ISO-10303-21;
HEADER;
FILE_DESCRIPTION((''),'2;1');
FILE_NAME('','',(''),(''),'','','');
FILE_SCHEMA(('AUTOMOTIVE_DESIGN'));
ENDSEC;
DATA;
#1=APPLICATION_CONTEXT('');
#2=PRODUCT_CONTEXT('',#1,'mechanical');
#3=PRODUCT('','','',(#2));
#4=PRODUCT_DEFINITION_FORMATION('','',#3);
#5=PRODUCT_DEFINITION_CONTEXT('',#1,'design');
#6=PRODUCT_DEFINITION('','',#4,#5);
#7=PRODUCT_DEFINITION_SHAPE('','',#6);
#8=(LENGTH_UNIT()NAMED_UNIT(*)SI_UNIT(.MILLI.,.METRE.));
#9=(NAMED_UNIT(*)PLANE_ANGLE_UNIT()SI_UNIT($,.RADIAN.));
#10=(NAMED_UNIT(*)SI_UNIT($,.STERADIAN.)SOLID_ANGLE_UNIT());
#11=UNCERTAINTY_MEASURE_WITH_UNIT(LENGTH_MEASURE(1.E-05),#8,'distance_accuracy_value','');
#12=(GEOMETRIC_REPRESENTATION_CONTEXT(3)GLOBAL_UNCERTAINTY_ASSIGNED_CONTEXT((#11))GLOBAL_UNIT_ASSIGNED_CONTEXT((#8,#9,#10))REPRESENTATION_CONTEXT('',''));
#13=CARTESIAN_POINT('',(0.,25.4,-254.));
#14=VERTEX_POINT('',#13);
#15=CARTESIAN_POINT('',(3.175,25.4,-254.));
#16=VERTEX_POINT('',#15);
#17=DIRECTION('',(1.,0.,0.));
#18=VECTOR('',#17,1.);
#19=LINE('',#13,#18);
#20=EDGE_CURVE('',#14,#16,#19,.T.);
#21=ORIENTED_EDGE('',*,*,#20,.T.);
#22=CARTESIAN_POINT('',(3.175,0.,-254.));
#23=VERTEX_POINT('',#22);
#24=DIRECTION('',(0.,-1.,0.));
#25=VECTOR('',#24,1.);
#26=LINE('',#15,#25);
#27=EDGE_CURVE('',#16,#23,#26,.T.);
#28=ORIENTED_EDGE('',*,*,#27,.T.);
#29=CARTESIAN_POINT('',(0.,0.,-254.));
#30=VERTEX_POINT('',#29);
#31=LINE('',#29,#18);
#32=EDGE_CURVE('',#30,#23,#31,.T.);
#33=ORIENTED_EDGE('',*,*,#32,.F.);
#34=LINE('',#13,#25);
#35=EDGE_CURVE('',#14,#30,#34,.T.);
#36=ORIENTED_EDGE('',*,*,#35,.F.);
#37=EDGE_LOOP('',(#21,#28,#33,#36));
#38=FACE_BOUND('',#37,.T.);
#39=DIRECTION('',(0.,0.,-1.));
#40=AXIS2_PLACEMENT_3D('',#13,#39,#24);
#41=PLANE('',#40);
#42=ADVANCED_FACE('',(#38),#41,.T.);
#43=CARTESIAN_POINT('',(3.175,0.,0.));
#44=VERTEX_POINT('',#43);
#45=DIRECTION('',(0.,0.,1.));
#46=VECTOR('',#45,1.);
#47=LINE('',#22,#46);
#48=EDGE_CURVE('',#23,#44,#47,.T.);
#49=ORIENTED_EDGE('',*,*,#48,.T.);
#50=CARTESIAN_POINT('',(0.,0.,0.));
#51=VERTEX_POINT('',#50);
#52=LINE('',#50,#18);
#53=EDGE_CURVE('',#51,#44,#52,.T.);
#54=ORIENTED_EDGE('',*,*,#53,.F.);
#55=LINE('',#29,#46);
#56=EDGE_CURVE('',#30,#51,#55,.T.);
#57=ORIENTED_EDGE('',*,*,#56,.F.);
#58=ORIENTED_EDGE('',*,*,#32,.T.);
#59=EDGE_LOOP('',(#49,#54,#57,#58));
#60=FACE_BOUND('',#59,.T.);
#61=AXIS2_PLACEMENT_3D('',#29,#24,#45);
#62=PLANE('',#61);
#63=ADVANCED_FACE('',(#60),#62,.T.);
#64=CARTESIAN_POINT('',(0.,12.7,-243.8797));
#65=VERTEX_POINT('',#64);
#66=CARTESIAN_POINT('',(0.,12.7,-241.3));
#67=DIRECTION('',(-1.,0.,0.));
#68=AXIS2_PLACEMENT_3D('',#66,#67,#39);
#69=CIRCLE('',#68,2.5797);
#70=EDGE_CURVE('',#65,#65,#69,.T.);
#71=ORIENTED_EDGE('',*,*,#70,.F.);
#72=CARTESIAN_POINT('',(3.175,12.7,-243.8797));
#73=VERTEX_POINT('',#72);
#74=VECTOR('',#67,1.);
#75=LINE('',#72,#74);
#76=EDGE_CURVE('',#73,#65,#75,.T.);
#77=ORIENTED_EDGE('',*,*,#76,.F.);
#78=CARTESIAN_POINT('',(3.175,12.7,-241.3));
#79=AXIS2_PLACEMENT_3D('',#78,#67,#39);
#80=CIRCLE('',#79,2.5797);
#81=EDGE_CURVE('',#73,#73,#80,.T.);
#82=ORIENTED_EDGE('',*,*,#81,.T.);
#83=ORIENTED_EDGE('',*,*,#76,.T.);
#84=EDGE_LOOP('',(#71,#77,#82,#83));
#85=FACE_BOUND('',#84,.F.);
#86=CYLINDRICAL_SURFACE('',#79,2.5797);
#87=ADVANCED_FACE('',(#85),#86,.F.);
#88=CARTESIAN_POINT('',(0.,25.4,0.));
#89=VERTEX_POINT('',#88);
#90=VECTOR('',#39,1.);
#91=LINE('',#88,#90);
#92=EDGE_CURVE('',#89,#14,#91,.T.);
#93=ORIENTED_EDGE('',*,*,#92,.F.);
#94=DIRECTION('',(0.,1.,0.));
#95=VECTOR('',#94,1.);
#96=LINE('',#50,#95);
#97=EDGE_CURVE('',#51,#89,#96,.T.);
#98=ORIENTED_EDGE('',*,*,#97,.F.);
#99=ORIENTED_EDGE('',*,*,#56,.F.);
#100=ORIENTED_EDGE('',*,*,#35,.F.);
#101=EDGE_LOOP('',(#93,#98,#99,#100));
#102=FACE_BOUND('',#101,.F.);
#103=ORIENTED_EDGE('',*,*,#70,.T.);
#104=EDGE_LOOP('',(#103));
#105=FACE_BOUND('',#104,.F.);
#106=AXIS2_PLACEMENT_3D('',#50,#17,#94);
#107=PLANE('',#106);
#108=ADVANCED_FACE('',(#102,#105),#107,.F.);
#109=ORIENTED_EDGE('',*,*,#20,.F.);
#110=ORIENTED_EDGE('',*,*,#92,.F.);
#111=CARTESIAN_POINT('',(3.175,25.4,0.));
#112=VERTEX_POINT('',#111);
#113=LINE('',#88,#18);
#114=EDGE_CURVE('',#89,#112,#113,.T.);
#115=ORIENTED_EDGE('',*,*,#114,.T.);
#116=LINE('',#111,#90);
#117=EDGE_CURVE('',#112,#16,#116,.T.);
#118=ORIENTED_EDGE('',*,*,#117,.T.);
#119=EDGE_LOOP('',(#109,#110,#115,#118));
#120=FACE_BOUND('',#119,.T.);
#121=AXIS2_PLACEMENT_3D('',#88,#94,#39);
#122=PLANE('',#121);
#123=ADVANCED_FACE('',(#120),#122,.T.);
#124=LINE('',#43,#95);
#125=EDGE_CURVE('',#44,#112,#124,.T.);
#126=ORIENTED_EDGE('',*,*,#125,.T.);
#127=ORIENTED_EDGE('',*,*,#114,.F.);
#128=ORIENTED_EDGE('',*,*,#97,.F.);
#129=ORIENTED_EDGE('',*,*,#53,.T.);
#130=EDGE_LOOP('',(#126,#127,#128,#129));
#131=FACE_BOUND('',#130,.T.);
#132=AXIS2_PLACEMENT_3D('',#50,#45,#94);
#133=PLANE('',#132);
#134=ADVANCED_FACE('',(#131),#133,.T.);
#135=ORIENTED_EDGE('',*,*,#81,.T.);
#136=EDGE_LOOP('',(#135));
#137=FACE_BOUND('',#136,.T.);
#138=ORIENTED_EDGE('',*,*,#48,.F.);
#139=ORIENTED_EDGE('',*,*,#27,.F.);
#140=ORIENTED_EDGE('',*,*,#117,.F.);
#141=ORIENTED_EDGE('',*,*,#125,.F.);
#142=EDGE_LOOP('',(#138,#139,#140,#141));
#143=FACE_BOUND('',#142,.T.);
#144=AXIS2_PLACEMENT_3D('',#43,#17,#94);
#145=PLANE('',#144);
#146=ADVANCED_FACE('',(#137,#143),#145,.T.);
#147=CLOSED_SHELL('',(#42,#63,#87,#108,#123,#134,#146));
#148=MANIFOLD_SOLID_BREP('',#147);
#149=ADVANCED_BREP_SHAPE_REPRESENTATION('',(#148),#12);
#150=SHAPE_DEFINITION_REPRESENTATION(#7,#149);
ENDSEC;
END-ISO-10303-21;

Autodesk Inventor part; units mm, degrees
ref_plane "YZ Plane" through (0, 0, 0) normal (1, 0, 0) x (0, 1, 0)
ref_plane "XZ Plane" through (0, 0, 0) normal (0, 1, 0) x (-1, 0, 0)
ref_plane "XY Plane" through (0, 0, 0) normal (0, 0, 1) x (1, 0, 0)
sketch "Sketch1" plane through (0, 0, 0) normal (1, 0, 0) x (0, 1, 0)
  line L0 (0, 0) -> (25.4, 0)
  line L1 (25.4, 0) -> (25.4, -254)
  line L2 (25.4, -254) -> (0, -254)
  line L3 (0, -254) -> (0, 0)
  dimension "d0" = 25.4
  dimension "d1" = 254
extrude "Extrusion1" add sketch "Sketch1" along normal blind 3.175
hole "Hole1" at (3.175, 12.7, -241.3) direction (-1, 0, 0) diameter 5.1594 end through all
properties part number "0.125 in Flatbar Support Beam"
